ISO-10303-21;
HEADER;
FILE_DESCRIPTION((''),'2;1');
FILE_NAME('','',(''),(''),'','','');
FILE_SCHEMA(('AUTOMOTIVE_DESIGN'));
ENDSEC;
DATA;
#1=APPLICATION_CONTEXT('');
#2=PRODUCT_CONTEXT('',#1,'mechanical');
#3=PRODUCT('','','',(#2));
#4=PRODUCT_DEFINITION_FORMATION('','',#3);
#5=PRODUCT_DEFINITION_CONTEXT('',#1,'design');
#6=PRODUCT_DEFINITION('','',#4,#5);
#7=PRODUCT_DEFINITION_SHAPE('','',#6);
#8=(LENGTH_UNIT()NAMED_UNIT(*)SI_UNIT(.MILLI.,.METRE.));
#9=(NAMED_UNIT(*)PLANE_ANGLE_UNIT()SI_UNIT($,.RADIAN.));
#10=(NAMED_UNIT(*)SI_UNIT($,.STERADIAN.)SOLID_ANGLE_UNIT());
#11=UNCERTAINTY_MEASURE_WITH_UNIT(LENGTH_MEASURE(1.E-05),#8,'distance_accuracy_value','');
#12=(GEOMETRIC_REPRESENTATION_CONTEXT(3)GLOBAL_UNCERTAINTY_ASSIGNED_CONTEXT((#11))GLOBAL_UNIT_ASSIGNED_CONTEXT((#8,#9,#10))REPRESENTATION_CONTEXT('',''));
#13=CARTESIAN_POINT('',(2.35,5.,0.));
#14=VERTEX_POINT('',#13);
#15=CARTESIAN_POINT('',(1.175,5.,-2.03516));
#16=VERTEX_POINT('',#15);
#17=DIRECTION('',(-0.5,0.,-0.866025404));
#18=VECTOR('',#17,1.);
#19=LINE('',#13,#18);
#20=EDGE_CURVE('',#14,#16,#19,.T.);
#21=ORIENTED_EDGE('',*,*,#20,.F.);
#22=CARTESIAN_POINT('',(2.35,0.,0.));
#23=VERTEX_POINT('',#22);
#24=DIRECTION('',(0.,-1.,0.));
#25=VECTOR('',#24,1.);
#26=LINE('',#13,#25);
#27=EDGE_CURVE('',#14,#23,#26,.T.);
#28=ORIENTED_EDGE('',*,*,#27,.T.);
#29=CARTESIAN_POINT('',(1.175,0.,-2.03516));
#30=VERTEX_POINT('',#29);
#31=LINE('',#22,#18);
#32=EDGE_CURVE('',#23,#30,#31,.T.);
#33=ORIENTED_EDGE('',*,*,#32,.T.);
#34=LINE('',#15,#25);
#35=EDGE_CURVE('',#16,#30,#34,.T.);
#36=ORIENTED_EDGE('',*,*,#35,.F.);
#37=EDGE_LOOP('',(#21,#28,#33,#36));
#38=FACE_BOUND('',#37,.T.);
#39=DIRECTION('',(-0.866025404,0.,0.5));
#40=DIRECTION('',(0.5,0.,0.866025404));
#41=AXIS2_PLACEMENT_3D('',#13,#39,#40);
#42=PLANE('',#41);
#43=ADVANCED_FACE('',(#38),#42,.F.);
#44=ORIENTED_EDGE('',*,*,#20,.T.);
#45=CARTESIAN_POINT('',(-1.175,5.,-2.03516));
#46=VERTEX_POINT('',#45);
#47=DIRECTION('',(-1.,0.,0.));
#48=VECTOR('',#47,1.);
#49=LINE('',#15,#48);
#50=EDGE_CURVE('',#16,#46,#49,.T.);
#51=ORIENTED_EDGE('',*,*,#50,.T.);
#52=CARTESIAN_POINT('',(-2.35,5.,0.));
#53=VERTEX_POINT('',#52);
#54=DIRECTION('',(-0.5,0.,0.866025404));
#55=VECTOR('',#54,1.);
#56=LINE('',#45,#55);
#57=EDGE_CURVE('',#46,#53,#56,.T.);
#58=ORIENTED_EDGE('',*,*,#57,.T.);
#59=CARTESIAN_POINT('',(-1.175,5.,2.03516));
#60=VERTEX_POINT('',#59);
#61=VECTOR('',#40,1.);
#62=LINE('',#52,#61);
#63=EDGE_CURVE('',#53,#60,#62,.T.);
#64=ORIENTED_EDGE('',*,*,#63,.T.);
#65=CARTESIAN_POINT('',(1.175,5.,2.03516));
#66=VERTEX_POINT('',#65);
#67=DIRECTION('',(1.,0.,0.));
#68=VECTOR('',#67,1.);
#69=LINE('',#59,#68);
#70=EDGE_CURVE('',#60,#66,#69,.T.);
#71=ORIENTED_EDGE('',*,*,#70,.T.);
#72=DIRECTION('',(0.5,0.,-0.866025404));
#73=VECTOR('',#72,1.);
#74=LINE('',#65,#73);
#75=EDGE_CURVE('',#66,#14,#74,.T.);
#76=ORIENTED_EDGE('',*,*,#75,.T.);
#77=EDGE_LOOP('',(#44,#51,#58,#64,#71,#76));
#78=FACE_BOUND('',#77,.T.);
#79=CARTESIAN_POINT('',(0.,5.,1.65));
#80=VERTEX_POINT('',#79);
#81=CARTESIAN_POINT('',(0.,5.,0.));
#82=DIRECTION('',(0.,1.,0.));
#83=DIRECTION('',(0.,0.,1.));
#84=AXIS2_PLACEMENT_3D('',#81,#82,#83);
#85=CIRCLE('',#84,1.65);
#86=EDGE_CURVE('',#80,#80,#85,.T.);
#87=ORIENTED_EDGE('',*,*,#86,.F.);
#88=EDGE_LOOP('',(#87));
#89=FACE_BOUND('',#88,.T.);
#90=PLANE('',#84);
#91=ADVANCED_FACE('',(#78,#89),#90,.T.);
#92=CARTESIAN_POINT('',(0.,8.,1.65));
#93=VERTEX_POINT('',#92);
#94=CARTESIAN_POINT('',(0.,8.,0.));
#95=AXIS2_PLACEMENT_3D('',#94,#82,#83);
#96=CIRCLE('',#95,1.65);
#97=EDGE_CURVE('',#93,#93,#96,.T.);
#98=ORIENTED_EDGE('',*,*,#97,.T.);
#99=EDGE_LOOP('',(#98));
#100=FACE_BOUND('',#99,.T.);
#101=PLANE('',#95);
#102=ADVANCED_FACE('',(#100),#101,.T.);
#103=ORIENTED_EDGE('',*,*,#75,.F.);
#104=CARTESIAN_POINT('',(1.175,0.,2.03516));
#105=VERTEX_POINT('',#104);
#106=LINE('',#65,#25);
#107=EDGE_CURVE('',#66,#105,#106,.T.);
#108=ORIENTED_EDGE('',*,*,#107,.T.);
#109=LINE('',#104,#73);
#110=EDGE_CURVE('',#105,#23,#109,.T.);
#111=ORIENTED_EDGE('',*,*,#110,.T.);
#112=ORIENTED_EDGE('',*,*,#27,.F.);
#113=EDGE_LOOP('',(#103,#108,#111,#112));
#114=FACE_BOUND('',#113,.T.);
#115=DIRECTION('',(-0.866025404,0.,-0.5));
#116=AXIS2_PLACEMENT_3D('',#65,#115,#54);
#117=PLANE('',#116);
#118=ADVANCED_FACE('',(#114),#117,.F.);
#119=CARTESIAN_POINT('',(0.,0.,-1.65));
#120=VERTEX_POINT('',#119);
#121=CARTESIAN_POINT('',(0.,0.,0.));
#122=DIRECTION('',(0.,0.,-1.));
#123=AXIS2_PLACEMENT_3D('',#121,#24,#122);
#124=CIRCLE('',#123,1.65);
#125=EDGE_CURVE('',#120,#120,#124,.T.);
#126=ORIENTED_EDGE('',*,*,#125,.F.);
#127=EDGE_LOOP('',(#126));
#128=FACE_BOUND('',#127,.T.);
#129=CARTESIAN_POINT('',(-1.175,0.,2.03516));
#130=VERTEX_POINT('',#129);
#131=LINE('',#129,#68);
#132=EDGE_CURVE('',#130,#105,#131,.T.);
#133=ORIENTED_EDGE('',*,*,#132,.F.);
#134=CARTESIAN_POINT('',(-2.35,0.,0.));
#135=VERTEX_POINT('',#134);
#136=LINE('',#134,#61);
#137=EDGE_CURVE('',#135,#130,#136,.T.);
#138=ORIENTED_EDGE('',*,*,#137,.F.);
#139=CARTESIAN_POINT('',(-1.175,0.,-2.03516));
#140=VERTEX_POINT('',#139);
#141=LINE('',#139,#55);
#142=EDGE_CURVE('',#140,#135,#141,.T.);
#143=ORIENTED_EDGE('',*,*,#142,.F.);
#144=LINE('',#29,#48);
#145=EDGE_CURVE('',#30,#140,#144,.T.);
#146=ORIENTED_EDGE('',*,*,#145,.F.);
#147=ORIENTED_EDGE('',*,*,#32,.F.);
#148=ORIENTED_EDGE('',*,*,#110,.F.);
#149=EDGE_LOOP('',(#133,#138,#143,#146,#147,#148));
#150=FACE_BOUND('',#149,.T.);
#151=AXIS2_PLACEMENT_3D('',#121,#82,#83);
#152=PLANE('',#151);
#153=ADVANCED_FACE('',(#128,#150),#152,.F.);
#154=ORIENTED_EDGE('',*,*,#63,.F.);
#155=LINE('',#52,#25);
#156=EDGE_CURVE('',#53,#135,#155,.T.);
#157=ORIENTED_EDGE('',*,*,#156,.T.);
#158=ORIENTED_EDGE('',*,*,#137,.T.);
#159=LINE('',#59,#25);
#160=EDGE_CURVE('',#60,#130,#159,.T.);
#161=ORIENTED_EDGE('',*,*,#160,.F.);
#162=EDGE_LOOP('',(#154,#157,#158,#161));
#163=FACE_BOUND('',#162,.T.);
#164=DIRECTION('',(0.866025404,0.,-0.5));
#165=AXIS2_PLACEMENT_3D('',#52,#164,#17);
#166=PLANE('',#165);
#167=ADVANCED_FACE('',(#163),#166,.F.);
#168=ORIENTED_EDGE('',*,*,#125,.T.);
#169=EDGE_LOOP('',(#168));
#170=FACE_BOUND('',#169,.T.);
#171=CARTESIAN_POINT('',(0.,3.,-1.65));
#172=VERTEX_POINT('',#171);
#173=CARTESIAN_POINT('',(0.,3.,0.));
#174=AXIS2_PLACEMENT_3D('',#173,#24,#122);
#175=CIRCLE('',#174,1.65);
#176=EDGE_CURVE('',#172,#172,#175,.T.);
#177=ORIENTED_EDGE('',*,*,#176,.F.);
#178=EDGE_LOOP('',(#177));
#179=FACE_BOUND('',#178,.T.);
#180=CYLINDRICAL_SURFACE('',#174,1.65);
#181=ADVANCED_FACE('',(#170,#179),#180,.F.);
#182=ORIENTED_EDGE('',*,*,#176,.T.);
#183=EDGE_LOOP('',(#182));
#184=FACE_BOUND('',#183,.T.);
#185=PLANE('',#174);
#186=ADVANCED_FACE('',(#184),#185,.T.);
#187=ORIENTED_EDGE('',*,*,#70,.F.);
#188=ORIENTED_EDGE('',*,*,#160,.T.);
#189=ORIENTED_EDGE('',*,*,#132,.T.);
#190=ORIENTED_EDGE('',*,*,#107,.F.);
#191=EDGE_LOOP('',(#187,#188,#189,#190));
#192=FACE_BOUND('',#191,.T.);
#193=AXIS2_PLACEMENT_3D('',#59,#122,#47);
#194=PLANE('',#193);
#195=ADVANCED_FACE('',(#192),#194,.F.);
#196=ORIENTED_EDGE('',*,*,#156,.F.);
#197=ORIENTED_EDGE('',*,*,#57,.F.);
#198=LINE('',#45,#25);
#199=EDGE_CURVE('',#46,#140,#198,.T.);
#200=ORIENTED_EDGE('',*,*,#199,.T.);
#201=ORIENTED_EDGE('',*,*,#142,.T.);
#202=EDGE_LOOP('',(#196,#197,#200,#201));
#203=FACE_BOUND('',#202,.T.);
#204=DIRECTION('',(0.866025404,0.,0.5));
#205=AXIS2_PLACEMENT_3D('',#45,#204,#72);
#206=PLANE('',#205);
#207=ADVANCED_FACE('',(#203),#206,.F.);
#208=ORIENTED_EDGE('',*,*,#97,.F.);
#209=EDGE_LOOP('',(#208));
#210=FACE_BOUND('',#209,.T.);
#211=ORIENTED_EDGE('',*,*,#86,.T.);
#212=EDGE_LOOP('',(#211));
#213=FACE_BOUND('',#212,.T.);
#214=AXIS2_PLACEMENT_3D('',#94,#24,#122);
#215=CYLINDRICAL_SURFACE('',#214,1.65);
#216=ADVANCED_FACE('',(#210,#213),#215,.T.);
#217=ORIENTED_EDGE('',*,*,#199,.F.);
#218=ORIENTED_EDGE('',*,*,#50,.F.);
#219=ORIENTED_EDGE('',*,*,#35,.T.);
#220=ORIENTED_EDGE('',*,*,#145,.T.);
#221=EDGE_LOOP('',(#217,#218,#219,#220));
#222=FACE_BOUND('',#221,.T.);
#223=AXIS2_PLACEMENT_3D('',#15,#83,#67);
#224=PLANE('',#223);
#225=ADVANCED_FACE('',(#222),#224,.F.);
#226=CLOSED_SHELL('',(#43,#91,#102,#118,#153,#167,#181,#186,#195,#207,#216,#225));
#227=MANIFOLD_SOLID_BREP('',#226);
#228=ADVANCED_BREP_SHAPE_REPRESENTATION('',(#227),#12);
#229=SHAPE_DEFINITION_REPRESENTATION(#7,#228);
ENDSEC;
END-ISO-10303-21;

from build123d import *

# Parameters (mm, degrees)
EXTRUDE_1_DEPTH     = 5
SKETCH_2_R          = 1.65
EXTRUDE_2_DEPTH     = 3
SKETCH_3_R          = 1.65
CUT_EXTRUDE_1_DEPTH = 3


with BuildPart() as part:
    # 草图1 → 凸台-拉伸1 (new body)
    with BuildSketch(Plane(origin=(0, 0, 0), x_dir=(1, 0, 0), z_dir=(0, 1, 0))):
        Polygon((1.175, -2.035159699), (2.35, 0), (1.175, 2.035159699), (-1.175, 2.035159699), (-2.35, 0), (-1.175, -2.035159699), align=None)
    extrude(amount=EXTRUDE_1_DEPTH)

    # 草图2 → 凸台-拉伸2 (add)
    with BuildSketch(Plane(origin=(0, 5, 0), x_dir=(1, 0, 0), z_dir=(0, 1, 0))):
        with Locations(Location((0, 0, 0), (0, 0, 270))):
            Circle(SKETCH_2_R)
    extrude(amount=EXTRUDE_2_DEPTH)

    # 草图3 → 切除-拉伸1 (cut)
    with BuildSketch(Plane.XZ):
        with Locations(Location((0, 0, 0), (0, 0, 90))):
            Circle(SKETCH_3_R)
    extrude(amount=-CUT_EXTRUDE_1_DEPTH, mode=Mode.SUBTRACT)


solid = part.part
